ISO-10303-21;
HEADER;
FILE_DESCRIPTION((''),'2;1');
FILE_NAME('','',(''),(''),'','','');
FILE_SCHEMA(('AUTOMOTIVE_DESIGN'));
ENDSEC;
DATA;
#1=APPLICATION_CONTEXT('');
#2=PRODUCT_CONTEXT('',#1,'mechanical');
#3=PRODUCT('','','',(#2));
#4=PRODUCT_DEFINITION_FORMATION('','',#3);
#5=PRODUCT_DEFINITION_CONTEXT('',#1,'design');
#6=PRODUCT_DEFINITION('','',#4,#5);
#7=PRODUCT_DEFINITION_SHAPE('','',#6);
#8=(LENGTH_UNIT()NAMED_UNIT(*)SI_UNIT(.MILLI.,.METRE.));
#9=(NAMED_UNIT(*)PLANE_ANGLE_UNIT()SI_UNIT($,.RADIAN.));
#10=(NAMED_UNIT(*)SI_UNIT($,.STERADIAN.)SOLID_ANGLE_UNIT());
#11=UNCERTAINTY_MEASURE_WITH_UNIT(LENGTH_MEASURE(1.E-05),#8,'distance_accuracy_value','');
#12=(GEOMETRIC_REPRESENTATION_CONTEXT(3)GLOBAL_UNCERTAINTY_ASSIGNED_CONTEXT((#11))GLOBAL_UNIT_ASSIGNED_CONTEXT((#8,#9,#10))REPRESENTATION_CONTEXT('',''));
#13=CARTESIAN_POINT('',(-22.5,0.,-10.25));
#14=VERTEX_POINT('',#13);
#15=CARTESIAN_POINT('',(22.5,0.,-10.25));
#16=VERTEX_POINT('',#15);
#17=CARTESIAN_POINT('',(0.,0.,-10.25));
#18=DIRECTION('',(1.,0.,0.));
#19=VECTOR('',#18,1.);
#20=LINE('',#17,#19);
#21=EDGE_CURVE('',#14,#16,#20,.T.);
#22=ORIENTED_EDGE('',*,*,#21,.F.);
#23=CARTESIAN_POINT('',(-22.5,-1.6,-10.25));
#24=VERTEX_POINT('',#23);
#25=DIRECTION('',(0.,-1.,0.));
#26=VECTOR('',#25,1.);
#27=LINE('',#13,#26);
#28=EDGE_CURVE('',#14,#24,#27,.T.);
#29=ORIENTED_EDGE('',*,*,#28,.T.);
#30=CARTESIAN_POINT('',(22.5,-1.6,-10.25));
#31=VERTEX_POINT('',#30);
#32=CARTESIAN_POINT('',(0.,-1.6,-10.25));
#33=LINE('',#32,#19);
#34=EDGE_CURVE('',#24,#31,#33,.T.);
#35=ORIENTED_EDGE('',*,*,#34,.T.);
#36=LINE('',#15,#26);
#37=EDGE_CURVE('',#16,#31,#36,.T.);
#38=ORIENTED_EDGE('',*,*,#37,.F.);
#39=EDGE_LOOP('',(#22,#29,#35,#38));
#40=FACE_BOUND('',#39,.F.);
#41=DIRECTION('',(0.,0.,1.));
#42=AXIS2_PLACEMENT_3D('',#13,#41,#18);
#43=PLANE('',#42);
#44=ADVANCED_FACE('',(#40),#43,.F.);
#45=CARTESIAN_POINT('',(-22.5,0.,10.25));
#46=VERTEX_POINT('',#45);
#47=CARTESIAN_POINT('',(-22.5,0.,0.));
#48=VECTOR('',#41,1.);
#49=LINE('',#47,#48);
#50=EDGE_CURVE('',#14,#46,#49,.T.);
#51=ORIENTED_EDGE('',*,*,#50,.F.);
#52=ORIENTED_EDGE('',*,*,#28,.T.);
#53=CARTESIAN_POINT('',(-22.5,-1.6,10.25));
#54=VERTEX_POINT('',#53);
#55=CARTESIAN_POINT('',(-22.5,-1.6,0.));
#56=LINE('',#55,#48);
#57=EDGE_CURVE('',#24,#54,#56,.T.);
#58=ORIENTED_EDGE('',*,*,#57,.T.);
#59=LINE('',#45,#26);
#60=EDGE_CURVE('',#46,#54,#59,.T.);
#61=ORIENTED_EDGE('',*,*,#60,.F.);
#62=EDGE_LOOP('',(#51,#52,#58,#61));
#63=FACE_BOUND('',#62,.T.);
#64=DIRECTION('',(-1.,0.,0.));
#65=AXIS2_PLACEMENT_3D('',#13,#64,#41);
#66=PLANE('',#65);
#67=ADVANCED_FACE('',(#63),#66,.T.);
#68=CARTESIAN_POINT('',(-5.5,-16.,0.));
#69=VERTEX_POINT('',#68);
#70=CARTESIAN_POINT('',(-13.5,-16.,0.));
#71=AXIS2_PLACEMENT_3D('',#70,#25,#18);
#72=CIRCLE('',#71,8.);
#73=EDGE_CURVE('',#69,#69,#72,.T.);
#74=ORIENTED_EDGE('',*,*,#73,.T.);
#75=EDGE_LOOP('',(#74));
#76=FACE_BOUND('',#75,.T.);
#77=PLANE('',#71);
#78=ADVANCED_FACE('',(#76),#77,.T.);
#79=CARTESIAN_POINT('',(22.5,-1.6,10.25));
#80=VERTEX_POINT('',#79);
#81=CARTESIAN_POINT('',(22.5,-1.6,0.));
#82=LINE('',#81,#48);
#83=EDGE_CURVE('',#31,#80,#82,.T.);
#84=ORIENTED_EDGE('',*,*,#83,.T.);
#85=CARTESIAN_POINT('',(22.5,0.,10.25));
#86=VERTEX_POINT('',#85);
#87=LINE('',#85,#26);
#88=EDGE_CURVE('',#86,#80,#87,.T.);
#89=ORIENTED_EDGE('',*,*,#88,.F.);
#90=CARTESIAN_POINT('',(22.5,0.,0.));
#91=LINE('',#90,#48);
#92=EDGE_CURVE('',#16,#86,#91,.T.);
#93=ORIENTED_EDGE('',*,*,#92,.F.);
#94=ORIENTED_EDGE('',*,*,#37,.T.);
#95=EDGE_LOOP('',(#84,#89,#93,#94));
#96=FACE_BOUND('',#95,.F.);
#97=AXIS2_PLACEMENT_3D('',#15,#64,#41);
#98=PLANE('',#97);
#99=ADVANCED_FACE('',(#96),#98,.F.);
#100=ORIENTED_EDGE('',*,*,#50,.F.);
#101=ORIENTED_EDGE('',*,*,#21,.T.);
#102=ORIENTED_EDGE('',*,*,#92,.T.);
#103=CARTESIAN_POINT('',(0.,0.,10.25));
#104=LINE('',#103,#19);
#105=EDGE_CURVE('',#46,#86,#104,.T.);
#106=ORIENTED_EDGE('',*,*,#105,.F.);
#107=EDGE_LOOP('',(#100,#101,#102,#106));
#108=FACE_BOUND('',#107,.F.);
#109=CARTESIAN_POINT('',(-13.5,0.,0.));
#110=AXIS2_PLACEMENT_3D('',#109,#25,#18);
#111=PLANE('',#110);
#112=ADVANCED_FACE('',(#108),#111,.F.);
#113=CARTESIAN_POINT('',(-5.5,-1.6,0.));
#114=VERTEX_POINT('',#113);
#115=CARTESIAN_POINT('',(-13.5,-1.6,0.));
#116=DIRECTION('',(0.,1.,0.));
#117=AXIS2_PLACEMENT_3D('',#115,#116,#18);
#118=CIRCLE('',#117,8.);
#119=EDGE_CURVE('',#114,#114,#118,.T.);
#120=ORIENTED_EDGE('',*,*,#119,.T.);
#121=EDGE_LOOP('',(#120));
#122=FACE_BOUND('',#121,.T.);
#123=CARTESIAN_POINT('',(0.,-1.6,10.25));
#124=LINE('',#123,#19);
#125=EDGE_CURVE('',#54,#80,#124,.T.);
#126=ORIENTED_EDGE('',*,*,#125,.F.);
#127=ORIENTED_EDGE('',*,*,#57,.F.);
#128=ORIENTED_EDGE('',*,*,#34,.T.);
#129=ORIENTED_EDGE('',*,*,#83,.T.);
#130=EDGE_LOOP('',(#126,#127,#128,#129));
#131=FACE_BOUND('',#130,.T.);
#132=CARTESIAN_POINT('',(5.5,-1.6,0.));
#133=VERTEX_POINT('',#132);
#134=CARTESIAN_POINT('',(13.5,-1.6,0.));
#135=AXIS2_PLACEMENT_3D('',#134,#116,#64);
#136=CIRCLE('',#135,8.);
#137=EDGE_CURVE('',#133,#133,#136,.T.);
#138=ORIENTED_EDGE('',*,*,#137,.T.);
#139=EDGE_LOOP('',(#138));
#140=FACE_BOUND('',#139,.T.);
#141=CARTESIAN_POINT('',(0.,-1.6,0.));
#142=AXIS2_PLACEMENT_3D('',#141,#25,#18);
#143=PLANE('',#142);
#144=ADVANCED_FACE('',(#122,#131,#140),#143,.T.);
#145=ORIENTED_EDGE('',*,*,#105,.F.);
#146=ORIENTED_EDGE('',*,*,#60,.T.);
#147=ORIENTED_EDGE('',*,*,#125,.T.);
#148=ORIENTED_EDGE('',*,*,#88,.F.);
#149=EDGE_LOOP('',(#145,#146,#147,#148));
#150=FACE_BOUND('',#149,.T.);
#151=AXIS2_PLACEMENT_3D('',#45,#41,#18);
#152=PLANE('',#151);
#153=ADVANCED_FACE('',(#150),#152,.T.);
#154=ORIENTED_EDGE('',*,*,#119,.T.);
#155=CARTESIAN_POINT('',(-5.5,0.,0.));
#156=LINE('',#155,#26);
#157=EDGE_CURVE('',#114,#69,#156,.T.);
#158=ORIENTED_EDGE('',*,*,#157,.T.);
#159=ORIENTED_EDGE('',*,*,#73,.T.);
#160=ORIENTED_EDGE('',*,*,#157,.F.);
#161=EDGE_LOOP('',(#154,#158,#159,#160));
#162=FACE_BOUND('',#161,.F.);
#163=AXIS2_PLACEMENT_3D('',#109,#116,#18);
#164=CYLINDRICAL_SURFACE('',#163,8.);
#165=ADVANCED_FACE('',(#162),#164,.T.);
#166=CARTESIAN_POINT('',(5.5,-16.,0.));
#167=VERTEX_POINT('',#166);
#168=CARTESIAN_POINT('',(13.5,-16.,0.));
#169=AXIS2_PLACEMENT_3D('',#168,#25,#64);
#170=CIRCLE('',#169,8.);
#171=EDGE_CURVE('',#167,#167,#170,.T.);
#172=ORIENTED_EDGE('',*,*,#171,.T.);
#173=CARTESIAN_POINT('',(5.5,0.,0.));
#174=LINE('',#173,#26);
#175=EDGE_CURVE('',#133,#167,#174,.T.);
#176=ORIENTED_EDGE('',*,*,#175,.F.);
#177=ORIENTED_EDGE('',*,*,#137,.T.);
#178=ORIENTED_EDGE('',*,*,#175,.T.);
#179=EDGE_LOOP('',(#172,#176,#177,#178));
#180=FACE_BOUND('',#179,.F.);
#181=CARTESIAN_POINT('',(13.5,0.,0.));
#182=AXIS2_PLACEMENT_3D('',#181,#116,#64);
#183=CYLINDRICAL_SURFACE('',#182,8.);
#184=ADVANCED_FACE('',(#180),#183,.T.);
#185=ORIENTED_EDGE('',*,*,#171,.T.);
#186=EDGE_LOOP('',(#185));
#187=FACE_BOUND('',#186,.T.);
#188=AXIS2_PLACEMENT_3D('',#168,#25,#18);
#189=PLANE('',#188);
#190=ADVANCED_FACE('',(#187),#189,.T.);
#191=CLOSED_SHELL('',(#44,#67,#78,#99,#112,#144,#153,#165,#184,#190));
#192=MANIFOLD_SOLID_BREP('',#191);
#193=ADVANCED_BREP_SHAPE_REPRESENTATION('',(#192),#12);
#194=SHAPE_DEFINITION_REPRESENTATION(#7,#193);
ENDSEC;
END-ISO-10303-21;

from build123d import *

# Parameters (mm, degrees)
F0_W     = 45
F0_H     = 20.5
F1_DEPTH = 1.6
F2_R     = 8
F3_DEPTH = 16


with BuildPart() as f1:
    # F0 (on Front) → F1 (new body)
    with BuildSketch(Plane.XZ):
        Rectangle(F0_W, F0_H)
    extrude(amount=F1_DEPTH)

    # F2 (on Front) → F3 (join)
    with BuildSketch(Plane.XZ):
        with Locations((-13.5, 0)):
            Circle(F2_R)
        with BuildLine():
            ThreePointArc((21.5, 0), (13.5, 8), (5.5, 0))
            ThreePointArc((5.5, 0), (13.5, -8), (21.5, 0))
        make_face()
    extrude(amount=F3_DEPTH)


solid = f1.part
